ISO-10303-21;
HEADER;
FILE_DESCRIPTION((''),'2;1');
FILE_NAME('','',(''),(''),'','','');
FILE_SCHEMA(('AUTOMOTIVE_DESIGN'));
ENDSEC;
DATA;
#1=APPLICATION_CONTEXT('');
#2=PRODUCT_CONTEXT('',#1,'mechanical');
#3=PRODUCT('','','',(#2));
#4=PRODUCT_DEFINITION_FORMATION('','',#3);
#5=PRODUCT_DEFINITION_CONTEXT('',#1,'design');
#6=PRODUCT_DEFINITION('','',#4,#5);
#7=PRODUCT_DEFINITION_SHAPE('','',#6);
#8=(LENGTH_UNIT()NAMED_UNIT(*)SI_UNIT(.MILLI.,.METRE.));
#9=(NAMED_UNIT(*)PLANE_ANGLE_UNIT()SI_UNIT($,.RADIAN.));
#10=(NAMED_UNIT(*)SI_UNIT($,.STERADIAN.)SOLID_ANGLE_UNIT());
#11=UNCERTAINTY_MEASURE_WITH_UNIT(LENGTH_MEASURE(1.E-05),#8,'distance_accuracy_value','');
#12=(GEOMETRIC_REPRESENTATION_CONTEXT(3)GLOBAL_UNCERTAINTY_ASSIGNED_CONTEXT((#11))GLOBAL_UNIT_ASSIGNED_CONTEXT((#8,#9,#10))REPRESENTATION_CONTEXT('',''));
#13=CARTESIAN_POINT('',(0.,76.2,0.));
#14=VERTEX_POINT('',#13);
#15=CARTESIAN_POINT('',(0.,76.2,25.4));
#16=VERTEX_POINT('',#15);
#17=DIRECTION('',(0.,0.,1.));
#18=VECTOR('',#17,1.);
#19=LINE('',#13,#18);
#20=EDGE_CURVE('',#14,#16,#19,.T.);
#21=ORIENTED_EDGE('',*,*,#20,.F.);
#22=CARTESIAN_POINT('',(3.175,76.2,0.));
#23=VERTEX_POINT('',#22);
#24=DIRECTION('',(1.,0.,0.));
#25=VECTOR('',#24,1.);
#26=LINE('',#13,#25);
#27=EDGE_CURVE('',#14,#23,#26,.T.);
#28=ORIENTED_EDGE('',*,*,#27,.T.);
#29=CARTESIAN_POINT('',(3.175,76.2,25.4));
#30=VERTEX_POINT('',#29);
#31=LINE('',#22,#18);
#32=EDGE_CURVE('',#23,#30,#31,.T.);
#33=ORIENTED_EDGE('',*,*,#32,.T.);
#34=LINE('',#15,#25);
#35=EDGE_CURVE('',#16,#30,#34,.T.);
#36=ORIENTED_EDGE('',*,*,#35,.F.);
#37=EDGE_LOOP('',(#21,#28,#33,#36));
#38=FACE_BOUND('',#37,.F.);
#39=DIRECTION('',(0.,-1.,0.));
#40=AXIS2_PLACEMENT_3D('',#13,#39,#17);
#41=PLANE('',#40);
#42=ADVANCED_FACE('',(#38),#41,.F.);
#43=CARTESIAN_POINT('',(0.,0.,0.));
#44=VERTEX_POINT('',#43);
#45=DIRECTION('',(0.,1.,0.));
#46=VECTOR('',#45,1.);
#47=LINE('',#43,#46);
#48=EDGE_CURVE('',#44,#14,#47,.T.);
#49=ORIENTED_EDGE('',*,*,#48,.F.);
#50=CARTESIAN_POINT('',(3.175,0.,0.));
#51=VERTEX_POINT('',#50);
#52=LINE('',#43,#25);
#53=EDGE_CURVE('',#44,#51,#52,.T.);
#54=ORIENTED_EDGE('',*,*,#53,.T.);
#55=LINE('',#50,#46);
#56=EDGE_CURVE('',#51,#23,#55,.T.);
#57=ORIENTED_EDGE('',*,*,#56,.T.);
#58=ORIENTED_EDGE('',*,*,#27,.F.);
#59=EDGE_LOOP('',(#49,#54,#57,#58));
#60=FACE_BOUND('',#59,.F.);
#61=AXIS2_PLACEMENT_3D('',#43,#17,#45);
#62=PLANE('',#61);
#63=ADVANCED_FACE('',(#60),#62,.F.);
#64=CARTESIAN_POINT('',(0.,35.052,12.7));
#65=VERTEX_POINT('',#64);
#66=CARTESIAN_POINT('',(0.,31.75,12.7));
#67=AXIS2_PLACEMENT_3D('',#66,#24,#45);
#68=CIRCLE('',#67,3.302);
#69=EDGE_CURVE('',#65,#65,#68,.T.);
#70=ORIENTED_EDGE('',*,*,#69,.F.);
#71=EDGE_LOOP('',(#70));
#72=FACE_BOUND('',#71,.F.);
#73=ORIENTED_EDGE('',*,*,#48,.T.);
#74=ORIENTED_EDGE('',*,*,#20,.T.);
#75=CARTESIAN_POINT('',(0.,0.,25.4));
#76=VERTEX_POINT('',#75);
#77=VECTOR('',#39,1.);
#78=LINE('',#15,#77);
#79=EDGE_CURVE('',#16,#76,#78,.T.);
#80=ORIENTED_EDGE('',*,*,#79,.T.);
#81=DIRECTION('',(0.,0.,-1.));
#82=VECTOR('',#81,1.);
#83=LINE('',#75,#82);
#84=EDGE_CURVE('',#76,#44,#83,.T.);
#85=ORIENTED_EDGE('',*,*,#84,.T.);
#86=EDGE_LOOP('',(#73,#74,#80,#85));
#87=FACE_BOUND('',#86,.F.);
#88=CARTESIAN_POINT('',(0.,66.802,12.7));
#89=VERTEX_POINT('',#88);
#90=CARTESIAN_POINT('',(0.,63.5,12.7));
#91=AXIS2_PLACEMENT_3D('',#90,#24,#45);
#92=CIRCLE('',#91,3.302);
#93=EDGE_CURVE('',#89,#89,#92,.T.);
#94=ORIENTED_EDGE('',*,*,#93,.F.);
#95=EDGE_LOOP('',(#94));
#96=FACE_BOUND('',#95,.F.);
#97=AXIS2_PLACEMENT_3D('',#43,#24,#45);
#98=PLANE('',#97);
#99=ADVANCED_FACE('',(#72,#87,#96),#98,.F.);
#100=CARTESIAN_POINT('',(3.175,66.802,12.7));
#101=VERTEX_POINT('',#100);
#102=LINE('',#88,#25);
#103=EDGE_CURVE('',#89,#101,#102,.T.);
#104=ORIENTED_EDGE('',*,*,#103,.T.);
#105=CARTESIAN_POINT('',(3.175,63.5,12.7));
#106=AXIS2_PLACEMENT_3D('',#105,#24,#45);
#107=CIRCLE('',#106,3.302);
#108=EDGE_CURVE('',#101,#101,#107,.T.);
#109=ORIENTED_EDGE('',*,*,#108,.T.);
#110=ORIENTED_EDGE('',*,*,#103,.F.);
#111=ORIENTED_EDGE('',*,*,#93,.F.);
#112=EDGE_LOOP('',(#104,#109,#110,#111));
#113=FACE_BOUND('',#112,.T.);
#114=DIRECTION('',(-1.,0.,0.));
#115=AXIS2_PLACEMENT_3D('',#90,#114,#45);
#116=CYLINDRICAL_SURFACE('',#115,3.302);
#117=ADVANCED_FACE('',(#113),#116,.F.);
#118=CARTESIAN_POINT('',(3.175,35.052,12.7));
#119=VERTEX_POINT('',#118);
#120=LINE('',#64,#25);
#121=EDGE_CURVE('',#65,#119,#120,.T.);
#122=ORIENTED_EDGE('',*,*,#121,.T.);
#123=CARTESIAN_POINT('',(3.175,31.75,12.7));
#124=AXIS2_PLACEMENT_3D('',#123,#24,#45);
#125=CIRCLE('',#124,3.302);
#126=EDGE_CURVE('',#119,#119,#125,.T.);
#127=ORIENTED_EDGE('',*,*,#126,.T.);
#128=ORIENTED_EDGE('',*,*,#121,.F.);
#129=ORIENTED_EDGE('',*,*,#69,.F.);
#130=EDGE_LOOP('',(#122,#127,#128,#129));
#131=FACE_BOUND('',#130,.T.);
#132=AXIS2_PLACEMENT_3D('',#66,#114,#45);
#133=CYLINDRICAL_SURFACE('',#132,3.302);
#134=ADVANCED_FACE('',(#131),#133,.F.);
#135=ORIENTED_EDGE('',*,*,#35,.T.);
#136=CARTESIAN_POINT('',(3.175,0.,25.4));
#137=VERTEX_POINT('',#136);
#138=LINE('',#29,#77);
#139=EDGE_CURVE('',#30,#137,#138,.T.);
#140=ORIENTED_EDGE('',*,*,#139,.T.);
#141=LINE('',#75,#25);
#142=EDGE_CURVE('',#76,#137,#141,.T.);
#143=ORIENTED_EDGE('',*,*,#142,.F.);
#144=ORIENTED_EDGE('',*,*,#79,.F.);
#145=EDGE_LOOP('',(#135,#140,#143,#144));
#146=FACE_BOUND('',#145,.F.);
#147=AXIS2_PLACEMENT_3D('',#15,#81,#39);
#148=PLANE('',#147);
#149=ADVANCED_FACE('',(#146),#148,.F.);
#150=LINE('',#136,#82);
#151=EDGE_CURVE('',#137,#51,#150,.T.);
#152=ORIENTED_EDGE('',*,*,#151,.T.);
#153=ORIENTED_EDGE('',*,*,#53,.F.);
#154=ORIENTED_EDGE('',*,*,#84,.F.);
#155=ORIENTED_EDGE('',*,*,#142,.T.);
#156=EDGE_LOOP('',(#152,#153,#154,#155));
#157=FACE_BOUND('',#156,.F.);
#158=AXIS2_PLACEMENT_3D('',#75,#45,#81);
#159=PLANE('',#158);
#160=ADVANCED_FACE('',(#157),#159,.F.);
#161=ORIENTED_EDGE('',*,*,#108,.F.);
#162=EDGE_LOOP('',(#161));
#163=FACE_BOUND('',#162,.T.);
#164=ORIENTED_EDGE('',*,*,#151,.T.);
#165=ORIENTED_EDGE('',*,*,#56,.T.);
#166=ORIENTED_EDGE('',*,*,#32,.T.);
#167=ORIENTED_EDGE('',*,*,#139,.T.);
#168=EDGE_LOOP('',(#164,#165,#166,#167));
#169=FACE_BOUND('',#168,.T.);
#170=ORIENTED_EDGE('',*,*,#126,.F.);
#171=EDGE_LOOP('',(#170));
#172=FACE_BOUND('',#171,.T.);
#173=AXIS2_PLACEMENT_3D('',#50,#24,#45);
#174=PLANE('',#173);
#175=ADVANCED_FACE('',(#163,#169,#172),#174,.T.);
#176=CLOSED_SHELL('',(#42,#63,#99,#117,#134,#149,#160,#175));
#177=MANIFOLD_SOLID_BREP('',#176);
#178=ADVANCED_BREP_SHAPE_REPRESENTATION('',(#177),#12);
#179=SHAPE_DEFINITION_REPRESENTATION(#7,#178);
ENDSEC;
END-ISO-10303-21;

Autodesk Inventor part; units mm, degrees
ref_plane "YZ Plane" through (0, 0, 0) normal (1, 0, 0) x (0, 1, 0)
ref_plane "XZ Plane" through (0, 0, 0) normal (0, 1, 0) x (-1, 0, 0)
ref_plane "XY Plane" through (0, 0, 0) normal (0, 0, 1) x (1, 0, 0)
sketch "Sketch1" plane through (0, 0, 0) normal (1, 0, 0) x (0, 1, 0)
  line L0 (0, 0) -> (76.2, 0)
  line L1 (76.2, 0) -> (76.2, 25.4)
  line L2 (76.2, 25.4) -> (0, 25.4)
  line L3 (0, 25.4) -> (0, 0)
  line L4 (0, 12.7) -> (76.2, 12.7) construction
  circle A0 centre (63.5, 12.7) radius 3.302
  circle A1 centre (31.75, 12.7) radius 3.302
  dimension "d0" = 76.2
  dimension "d2" = 25.4
  dimension "d3" = 6.604
  dimension "d4" = 12.7
  dimension "d5" = 31.75
extrude "Extrusion1" add sketch "Sketch1" along normal blind 3.175
properties part number "Polycarbonate Battery Spacer" material "Polycarbonate, Clear"
